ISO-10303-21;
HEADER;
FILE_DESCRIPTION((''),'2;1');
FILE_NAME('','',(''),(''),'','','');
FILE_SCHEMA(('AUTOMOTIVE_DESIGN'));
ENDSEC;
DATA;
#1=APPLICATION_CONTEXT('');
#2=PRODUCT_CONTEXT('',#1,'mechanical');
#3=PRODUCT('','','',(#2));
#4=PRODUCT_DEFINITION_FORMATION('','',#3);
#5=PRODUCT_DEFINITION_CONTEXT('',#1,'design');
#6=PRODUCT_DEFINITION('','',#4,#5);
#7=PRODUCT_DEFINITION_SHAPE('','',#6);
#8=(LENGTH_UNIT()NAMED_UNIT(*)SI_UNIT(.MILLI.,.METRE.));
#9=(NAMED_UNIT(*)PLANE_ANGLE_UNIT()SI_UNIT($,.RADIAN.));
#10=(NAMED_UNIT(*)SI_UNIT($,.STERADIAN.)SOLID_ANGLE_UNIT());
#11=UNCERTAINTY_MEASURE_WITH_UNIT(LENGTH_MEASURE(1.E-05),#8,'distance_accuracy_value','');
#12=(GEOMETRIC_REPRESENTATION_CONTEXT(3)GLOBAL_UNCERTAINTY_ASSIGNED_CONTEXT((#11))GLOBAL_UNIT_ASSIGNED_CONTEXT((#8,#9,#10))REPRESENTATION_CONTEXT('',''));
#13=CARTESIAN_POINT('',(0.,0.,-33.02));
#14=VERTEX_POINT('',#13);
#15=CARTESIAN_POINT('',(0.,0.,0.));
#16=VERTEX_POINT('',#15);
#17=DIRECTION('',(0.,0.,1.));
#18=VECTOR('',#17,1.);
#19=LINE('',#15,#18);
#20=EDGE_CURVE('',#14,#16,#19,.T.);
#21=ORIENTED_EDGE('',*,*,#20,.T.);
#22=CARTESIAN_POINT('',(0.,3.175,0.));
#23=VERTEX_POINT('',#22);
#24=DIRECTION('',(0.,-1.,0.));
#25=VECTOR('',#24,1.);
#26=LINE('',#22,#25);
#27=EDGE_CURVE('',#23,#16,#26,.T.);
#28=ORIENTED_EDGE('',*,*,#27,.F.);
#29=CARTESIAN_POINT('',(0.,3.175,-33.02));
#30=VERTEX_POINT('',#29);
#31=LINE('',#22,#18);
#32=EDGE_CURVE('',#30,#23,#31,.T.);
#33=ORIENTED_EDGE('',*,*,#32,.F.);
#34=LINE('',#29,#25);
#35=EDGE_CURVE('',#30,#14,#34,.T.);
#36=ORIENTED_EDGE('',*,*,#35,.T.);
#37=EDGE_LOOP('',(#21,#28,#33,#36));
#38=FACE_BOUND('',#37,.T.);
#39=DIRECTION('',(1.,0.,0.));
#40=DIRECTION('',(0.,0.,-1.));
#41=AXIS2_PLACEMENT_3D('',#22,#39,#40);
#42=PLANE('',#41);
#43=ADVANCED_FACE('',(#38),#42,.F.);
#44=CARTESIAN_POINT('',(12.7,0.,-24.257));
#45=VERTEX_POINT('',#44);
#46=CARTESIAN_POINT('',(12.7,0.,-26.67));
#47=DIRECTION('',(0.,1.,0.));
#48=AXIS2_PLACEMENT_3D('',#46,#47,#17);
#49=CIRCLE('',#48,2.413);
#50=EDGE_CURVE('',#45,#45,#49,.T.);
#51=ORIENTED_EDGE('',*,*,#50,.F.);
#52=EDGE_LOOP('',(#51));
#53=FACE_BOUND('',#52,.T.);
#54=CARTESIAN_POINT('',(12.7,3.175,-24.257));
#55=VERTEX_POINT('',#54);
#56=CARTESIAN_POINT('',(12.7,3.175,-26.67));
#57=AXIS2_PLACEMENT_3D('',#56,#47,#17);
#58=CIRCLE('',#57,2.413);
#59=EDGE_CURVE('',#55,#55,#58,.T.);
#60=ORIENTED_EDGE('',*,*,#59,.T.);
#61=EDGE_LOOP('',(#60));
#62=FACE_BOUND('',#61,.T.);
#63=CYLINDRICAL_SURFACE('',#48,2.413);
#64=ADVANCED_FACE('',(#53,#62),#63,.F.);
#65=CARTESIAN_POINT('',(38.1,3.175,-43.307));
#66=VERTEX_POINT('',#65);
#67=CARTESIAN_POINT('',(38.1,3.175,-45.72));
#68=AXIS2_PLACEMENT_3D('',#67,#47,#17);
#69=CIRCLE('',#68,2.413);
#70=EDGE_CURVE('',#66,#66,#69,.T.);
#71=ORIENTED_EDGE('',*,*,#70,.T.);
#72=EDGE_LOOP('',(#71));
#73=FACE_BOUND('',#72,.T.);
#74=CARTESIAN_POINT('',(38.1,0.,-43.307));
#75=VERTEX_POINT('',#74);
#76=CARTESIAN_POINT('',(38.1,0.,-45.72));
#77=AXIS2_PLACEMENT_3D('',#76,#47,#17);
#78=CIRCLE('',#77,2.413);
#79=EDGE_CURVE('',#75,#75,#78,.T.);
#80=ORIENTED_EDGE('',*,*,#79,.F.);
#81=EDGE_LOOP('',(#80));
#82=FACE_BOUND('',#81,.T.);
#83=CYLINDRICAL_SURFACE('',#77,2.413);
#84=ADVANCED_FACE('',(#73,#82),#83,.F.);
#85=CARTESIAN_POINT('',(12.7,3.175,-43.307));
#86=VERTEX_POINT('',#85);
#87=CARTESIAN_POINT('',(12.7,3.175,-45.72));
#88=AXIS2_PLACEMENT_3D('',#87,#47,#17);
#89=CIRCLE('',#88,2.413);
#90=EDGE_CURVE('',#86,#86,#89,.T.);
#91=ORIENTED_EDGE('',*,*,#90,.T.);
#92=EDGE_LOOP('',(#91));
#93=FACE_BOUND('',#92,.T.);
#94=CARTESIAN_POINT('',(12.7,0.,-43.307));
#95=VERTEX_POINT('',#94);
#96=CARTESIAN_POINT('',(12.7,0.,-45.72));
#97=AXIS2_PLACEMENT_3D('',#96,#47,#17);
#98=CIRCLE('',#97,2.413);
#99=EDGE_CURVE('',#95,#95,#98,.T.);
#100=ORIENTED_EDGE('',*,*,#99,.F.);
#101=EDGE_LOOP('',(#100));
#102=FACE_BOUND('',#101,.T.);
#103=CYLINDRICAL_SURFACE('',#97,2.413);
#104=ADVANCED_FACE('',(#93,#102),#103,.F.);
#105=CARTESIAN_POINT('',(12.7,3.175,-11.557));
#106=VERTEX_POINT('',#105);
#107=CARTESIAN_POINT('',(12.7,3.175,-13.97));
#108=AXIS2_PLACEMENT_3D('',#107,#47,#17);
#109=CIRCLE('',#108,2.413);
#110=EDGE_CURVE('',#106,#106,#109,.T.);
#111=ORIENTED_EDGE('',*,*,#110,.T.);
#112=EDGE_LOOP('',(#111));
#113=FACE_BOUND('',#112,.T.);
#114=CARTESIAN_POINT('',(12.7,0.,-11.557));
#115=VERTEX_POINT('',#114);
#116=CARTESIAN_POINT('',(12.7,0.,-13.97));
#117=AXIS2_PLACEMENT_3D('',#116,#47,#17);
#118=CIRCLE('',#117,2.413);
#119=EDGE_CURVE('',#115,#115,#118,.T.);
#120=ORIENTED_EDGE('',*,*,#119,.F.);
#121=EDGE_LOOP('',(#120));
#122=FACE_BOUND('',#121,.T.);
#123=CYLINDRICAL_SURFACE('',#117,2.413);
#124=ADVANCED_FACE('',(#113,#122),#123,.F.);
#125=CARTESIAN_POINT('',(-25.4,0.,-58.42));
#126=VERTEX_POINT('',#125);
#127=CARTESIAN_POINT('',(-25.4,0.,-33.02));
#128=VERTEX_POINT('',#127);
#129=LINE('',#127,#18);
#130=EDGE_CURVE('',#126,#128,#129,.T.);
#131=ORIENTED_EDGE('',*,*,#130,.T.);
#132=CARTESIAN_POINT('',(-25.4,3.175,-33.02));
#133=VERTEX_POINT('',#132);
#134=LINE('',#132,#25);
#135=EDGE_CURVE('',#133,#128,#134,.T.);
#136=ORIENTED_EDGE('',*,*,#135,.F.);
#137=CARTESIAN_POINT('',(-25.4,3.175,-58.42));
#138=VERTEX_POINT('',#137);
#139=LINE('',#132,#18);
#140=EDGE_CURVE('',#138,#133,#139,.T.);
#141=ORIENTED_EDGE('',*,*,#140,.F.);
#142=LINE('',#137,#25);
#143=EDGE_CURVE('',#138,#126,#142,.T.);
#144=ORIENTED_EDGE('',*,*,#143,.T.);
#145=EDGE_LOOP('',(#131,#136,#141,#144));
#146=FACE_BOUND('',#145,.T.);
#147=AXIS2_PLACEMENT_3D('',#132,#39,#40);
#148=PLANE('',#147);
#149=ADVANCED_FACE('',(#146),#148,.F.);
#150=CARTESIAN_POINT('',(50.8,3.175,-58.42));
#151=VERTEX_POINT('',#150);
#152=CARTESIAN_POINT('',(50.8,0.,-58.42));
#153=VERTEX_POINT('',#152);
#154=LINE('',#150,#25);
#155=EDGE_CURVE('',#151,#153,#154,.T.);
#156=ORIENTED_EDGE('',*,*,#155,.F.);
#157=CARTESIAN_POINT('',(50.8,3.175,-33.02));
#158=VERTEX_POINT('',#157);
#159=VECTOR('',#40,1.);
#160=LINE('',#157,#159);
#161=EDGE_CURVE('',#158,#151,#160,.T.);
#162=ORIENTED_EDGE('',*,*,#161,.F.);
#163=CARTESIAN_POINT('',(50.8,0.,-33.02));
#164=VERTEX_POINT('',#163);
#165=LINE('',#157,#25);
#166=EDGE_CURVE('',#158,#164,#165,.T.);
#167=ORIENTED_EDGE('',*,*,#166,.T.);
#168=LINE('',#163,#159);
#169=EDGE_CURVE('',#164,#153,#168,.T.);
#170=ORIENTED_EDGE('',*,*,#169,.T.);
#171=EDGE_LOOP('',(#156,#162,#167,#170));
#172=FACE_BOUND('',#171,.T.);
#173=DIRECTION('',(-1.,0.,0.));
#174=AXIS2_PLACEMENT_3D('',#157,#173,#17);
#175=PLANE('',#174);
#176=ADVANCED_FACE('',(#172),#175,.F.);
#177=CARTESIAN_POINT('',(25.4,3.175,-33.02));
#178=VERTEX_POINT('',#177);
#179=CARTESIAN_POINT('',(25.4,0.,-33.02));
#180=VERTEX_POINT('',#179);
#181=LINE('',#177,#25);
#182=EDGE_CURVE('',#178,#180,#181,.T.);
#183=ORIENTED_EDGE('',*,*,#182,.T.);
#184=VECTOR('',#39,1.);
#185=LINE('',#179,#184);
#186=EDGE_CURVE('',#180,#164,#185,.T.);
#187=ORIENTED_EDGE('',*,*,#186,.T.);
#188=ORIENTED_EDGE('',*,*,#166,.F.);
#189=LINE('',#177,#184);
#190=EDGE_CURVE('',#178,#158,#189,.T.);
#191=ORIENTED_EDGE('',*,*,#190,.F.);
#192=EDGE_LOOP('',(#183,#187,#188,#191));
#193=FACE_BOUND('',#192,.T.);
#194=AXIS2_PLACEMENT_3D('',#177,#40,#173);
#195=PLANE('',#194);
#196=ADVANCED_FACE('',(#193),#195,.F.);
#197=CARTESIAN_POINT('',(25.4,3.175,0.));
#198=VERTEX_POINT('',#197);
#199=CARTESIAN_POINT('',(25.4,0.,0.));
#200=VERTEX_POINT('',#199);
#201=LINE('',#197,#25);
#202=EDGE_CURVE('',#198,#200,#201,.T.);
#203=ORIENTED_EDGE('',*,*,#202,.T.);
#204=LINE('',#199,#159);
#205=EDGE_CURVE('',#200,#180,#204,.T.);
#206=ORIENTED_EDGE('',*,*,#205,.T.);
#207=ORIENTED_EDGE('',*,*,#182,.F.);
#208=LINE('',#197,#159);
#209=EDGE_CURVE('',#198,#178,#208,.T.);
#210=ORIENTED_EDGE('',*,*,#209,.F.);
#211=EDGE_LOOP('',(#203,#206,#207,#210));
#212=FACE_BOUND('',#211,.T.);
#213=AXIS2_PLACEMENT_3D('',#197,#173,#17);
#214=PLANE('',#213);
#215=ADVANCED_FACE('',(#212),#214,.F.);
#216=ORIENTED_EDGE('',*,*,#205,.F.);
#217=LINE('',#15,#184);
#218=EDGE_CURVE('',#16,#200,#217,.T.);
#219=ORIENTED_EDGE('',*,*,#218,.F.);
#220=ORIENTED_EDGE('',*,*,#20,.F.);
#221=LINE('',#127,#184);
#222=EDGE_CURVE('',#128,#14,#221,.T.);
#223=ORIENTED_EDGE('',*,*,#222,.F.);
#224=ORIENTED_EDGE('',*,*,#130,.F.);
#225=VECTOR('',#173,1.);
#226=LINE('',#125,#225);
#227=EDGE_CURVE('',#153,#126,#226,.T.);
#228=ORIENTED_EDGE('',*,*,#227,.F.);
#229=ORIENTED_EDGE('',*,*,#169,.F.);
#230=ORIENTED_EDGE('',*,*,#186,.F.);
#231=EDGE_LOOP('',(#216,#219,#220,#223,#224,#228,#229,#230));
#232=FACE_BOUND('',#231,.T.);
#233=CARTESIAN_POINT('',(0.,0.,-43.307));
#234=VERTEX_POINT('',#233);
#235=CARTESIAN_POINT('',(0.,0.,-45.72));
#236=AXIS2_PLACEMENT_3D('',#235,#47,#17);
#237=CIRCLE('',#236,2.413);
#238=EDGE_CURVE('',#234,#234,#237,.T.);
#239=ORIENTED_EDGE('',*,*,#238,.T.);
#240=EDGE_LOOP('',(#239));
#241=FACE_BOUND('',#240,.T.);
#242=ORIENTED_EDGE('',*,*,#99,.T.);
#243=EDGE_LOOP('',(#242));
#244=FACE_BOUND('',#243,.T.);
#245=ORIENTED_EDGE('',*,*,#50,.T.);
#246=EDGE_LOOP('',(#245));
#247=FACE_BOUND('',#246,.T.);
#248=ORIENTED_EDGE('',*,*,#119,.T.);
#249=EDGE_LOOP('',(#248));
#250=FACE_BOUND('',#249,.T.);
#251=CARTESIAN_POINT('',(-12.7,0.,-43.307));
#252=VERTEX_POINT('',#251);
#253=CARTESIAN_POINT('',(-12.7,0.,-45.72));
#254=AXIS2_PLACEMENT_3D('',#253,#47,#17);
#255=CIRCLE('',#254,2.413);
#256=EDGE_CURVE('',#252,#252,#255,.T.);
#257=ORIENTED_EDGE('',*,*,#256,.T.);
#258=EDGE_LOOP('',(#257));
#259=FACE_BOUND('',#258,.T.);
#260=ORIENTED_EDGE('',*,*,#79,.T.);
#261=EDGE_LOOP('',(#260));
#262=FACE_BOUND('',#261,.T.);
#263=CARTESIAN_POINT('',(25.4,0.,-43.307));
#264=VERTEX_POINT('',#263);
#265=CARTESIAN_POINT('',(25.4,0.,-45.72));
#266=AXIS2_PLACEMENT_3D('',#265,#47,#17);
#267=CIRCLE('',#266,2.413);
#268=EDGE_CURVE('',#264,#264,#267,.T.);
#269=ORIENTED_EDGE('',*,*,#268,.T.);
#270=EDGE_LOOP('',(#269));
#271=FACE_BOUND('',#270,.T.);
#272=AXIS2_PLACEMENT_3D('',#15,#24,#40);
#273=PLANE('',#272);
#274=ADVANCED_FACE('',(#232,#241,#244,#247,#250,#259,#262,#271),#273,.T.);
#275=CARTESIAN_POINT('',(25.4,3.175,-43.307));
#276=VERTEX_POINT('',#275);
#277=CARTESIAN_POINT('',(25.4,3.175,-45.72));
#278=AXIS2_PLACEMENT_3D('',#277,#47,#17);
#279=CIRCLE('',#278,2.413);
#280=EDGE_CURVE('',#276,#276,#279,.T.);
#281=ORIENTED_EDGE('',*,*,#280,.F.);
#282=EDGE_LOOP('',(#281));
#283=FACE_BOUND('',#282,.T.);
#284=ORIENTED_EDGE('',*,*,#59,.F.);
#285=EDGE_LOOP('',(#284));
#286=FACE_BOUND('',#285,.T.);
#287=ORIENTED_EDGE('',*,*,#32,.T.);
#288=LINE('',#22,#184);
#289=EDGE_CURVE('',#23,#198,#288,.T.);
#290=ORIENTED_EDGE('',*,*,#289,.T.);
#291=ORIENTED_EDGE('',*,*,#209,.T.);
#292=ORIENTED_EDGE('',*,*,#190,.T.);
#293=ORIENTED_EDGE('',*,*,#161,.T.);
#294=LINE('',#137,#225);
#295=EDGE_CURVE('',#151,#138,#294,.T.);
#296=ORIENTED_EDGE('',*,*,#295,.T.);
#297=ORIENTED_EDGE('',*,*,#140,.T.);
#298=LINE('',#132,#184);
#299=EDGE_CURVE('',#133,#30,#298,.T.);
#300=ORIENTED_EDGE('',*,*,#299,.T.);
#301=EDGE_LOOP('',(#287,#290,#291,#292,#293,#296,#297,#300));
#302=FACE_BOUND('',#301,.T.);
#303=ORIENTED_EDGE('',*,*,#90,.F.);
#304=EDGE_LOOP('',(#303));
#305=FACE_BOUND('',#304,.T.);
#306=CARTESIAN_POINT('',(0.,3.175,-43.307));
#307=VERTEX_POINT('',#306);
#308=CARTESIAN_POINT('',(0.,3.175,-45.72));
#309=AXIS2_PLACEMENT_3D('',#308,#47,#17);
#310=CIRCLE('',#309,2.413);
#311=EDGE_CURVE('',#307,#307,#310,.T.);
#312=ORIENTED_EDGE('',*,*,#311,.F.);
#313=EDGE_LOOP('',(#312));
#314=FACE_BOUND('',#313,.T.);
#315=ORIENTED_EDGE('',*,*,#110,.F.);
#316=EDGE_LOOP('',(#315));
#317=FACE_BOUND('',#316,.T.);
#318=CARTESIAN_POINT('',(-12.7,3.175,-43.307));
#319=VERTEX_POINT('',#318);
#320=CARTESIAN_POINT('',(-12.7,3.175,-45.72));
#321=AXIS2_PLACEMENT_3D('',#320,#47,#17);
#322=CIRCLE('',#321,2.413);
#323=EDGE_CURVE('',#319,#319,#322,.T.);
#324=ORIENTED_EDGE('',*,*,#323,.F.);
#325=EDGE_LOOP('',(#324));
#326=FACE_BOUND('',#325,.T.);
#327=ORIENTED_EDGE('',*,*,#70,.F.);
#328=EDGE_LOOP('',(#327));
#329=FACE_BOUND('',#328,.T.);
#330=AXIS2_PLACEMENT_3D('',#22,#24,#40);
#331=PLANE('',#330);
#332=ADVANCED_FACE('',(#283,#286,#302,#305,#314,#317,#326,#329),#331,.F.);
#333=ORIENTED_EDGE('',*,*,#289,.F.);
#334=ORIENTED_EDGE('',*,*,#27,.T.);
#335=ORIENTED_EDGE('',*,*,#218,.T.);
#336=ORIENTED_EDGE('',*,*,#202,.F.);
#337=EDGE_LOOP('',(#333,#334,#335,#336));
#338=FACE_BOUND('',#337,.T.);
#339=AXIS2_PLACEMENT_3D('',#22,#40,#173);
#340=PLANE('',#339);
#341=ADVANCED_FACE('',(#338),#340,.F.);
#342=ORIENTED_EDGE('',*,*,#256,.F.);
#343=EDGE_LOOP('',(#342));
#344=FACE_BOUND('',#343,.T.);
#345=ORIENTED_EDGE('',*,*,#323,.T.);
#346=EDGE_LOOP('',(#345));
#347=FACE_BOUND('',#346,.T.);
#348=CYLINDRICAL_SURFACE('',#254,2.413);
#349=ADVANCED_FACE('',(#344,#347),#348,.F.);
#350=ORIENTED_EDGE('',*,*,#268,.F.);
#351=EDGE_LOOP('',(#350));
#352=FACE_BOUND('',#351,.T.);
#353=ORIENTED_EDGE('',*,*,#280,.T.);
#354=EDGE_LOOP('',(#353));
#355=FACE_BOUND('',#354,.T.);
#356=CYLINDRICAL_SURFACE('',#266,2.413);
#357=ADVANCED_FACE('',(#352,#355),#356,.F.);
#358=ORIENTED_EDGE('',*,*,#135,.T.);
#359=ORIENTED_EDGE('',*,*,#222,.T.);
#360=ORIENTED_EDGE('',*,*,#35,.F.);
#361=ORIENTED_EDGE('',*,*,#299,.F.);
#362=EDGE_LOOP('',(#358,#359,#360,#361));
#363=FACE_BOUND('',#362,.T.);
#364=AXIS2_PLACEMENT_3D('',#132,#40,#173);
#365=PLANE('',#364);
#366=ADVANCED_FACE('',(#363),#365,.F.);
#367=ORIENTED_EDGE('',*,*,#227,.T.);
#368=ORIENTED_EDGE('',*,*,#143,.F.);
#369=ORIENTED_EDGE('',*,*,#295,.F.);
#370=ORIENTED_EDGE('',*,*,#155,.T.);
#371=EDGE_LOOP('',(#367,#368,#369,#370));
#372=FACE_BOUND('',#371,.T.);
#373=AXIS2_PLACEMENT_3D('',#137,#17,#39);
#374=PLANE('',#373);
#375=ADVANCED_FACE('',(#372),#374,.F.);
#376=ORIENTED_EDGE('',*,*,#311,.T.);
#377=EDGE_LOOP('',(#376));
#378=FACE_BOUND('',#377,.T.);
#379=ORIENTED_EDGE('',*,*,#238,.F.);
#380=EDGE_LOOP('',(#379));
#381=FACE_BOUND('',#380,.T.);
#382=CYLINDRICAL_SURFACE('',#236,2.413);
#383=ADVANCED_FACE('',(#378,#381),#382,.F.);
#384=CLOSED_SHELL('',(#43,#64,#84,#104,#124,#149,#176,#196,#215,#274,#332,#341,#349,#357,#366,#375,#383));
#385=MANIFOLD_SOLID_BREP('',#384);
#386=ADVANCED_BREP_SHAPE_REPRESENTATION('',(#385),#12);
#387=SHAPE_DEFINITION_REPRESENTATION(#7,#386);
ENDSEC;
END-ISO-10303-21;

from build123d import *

# Parameters (mm, degrees)
BOSS_EXTRUDE1_DEPTH = 3.175
SKETCH3_R           = 2.413
CUT_EXTRUDE1_DEPTH  = 78.483011202


with BuildPart() as part:
    # Sketch2 → Boss-Extrude1 (new body)
    with BuildSketch(Plane(origin=(0, 0, 0), x_dir=(1, 0, 0), z_dir=(0, 1, 0))):
        Polygon((25.4, 33.02), (50.8, 33.02), (50.8, 58.42), (-25.4, 58.42), (-25.4, 33.02), (0, 33.02), (0, 0), (25.4, 0), align=None)
    extrude(amount=BOSS_EXTRUDE1_DEPTH)

    # Sketch3 → Cut-Extrude1 (cut, through all)
    with BuildSketch(Plane(origin=(0, 3.175, 0), x_dir=(1, 0, 0), z_dir=(0, 1, 0))):
        with Locations(Location((12.7, 13.97, 0), (0, 0, 270))):
            Circle(SKETCH3_R)
        with Locations(Location((-12.7, 45.72, 0), (0, 0, 270))):
            Circle(SKETCH3_R)
        with Locations(Location((12.7, 26.67, 0), (0, 0, 270))):
            Circle(SKETCH3_R)
        with Locations(Location((0, 45.72, 0), (0, 0, 270))):
            Circle(SKETCH3_R)
        with Locations(Location((12.7, 45.72, 0), (0, 0, 270))):
            Circle(SKETCH3_R)
        with Locations(Location((25.4, 45.72, 0), (0, 0, 270))):
            Circle(SKETCH3_R)
        with Locations(Location((38.1, 45.72, 0), (0, 0, 270))):
            Circle(SKETCH3_R)
    extrude(amount=-CUT_EXTRUDE1_DEPTH, mode=Mode.SUBTRACT)


solid = part.part
